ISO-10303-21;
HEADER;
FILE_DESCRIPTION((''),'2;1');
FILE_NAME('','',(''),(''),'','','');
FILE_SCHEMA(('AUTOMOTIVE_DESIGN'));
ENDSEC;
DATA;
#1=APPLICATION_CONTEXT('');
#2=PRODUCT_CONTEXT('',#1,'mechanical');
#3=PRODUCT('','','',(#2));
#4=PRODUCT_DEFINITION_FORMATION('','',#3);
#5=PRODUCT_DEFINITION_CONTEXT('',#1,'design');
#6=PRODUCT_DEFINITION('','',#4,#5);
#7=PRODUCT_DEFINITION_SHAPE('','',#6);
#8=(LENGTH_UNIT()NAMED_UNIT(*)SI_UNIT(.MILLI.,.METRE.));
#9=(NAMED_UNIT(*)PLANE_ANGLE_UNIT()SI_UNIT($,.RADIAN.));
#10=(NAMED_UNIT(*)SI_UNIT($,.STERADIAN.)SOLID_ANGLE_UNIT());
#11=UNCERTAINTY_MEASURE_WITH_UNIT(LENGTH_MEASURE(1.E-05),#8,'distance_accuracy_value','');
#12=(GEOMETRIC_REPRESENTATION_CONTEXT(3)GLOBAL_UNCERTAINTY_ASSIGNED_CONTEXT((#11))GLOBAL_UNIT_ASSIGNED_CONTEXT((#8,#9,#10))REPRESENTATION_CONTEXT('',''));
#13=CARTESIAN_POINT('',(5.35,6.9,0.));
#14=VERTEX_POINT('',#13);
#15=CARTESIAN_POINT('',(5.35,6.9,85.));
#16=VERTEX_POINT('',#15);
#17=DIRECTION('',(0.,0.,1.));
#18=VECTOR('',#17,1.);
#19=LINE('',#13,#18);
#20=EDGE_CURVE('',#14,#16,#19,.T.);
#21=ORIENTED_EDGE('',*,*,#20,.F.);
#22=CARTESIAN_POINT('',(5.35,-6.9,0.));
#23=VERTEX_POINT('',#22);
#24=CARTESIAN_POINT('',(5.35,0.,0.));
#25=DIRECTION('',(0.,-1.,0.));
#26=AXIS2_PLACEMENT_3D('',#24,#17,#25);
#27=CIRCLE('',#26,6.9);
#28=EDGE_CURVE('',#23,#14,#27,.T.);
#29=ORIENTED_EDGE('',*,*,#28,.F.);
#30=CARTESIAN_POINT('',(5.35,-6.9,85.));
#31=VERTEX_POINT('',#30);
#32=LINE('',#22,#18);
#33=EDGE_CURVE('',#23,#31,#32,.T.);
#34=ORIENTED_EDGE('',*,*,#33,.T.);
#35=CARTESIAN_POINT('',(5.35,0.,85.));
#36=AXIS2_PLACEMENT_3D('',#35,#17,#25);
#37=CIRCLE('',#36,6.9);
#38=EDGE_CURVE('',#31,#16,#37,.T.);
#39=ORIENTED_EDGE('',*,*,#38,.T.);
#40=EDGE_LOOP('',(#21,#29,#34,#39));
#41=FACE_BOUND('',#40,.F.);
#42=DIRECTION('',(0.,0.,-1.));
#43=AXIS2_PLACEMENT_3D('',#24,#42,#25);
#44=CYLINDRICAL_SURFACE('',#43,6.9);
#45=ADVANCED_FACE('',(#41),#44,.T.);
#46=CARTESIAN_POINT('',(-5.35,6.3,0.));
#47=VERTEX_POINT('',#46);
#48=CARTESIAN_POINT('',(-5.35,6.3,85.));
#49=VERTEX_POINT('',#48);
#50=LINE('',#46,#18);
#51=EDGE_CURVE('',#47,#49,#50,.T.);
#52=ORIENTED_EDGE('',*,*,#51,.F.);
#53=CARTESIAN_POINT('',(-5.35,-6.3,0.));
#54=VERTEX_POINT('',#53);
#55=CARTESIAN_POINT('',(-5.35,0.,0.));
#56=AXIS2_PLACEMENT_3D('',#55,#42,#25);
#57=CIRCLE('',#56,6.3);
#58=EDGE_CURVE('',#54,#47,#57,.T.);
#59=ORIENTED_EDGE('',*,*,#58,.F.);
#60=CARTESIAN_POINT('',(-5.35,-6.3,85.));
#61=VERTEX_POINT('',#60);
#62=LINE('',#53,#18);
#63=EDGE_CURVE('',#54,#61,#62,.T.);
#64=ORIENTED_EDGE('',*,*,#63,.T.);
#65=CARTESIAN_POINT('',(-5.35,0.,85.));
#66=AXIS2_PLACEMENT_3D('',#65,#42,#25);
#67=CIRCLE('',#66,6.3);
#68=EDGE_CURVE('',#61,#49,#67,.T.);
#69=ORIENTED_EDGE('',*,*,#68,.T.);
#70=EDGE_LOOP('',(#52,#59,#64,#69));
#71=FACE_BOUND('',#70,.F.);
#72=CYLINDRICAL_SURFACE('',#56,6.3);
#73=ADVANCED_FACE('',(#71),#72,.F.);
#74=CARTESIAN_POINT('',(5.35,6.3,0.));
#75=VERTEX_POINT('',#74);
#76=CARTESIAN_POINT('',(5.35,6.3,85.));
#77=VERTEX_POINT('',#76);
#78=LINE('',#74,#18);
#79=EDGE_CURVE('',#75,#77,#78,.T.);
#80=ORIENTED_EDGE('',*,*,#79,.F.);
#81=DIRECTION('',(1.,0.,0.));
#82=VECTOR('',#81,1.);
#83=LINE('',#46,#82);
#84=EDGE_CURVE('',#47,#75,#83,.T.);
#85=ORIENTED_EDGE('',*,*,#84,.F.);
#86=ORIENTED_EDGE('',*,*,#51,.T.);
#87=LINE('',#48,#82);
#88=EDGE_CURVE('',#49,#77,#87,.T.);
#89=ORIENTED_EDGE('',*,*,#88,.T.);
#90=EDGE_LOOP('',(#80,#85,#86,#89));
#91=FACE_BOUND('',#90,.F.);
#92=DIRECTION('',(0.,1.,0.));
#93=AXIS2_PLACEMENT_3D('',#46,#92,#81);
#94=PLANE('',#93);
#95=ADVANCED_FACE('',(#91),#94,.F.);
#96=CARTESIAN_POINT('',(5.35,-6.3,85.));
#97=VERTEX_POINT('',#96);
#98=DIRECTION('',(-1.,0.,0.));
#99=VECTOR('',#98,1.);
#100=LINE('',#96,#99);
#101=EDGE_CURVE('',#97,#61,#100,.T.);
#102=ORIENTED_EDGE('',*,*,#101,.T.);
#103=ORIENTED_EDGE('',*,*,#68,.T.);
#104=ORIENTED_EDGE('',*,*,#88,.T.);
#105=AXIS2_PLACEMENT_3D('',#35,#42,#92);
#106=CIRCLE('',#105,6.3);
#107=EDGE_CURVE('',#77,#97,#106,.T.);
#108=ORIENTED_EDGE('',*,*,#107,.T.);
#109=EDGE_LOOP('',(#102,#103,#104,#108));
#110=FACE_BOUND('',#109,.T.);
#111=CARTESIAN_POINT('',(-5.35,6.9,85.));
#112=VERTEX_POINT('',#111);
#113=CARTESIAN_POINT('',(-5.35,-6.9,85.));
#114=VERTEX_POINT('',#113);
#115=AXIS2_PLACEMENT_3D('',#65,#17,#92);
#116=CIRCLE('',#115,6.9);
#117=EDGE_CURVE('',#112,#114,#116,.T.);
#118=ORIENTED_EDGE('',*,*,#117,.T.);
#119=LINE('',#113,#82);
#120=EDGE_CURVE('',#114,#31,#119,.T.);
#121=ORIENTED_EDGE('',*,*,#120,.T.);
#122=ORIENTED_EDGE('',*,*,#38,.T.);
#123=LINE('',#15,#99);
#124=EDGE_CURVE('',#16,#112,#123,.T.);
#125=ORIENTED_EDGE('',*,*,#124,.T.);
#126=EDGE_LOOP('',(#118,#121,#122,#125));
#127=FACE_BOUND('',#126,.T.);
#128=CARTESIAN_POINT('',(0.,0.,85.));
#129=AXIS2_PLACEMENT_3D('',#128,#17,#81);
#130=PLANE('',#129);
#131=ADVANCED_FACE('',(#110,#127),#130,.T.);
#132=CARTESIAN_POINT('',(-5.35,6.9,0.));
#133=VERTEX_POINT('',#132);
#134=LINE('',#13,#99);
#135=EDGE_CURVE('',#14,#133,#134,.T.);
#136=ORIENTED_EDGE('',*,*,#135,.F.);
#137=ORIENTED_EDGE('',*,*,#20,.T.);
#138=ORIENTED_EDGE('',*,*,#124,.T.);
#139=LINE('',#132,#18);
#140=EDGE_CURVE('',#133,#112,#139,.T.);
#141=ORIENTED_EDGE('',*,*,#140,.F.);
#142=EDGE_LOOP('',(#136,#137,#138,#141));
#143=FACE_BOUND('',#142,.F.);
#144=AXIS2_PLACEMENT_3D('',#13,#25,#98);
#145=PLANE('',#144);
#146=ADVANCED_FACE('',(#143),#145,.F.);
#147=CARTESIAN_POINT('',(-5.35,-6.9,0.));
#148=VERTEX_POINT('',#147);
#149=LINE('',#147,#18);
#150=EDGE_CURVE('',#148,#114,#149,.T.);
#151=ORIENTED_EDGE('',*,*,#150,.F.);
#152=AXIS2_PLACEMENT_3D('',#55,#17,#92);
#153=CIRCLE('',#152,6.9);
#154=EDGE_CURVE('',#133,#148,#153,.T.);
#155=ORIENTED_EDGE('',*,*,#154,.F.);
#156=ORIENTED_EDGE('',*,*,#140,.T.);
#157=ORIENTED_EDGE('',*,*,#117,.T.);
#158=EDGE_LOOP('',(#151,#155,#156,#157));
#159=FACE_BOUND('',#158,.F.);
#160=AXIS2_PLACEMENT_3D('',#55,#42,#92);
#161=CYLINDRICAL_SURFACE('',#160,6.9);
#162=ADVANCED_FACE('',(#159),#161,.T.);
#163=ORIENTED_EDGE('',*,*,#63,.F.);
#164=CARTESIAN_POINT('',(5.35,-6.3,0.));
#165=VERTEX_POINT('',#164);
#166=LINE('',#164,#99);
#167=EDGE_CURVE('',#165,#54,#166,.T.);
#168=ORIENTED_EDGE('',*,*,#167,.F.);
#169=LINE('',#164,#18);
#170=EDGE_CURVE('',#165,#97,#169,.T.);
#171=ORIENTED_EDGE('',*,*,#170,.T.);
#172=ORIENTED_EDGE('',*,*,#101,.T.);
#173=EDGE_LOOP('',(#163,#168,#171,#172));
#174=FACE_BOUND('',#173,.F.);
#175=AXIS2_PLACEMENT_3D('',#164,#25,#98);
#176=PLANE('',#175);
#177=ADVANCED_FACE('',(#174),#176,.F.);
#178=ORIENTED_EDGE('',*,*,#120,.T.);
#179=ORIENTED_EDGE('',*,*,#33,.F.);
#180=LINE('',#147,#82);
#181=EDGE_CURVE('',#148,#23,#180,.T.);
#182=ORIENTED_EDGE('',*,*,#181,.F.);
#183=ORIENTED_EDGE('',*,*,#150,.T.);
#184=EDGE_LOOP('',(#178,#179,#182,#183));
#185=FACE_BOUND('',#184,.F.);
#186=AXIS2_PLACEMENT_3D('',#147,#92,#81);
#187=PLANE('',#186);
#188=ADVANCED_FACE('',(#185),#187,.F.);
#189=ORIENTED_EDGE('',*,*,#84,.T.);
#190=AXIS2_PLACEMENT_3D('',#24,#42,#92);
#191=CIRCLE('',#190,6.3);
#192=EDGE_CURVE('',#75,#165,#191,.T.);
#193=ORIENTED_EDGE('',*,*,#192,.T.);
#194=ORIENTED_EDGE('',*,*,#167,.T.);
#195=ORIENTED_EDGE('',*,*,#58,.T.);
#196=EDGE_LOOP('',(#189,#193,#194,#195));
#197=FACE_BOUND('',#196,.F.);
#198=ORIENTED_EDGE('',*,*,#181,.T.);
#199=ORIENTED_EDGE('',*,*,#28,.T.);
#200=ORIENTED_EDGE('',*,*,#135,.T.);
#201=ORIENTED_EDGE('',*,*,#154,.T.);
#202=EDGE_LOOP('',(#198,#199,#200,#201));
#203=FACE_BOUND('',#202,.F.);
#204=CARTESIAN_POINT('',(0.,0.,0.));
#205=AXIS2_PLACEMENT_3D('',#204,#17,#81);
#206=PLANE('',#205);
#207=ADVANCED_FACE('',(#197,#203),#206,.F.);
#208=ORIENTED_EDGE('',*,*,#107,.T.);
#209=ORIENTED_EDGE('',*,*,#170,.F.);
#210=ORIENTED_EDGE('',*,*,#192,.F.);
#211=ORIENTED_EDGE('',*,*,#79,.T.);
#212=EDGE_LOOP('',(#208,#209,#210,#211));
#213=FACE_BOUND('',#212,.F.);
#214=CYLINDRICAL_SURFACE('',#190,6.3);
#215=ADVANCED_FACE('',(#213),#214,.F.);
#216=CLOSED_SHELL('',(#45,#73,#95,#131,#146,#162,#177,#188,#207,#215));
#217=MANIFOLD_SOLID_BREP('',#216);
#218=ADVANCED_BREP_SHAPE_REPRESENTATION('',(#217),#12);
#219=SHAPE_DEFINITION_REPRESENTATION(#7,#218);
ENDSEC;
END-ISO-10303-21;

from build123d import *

# Parameters (mm, degrees)
F1_DEPTH = 85
F0_W     = 50
F0_H     = 7
F2_R     = 12.5
F2_R_2   = 7.5
F3_DEPTH = 12.5
F4_W     = 25.6223708915
F4_H     = 20
F5_DEPTH = 25


with BuildPart() as f1:
    # F0 (on Top) → F1 (new body)
    with BuildSketch(Plane.XY):
        with BuildLine():
            Line((5.35, 6.9), (-5.35, 6.9))
            ThreePointArc((-5.35, 6.9), (-12.25, 0), (-5.35, -6.9))
            Line((-5.35, -6.9), (5.35, -6.9))
            ThreePointArc((5.35, -6.9), (12.25, 0), (5.35, 6.9))
        make_face()
        with BuildLine():
            ThreePointArc((-5.35, -6.3), (-11.65, 0), (-5.35, 6.3))
            Line((-5.35, 6.3), (5.35, 6.3))
            ThreePointArc((5.35, 6.3), (11.65, 0), (5.35, -6.3))
            Line((5.35, -6.3), (-5.35, -6.3))
        make_face(mode=Mode.SUBTRACT)
    extrude(amount=F1_DEPTH)


with BuildPart() as f1b:
    # F0 (on Top) → F1, piece 2 (new body)
    with BuildSketch(Plane.XY):
        with Locations((0, -23.5)):
            Rectangle(F0_W, F0_H)
    extrude(amount=F1_DEPTH)


with BuildPart() as f3:
    # F2 (on Right) → F3 (new body, symmetric)
    with BuildSketch(Plane.YZ):
        with Locations((-35, 30)):
            Circle(F2_R)
        with Locations((-35, 30)):
            Circle(F2_R_2, mode=Mode.SUBTRACT)
    extrude(amount=F3_DEPTH, both=True)

    # F4 (on face) → F5 (join)
    with BuildSketch(Plane.YZ.offset(12.5)):
        with Locations((-42.8111854458, 34.4098300563)):
            Rectangle(F4_W, F4_H)
    extrude(amount=F5_DEPTH)


solid = f1.part
